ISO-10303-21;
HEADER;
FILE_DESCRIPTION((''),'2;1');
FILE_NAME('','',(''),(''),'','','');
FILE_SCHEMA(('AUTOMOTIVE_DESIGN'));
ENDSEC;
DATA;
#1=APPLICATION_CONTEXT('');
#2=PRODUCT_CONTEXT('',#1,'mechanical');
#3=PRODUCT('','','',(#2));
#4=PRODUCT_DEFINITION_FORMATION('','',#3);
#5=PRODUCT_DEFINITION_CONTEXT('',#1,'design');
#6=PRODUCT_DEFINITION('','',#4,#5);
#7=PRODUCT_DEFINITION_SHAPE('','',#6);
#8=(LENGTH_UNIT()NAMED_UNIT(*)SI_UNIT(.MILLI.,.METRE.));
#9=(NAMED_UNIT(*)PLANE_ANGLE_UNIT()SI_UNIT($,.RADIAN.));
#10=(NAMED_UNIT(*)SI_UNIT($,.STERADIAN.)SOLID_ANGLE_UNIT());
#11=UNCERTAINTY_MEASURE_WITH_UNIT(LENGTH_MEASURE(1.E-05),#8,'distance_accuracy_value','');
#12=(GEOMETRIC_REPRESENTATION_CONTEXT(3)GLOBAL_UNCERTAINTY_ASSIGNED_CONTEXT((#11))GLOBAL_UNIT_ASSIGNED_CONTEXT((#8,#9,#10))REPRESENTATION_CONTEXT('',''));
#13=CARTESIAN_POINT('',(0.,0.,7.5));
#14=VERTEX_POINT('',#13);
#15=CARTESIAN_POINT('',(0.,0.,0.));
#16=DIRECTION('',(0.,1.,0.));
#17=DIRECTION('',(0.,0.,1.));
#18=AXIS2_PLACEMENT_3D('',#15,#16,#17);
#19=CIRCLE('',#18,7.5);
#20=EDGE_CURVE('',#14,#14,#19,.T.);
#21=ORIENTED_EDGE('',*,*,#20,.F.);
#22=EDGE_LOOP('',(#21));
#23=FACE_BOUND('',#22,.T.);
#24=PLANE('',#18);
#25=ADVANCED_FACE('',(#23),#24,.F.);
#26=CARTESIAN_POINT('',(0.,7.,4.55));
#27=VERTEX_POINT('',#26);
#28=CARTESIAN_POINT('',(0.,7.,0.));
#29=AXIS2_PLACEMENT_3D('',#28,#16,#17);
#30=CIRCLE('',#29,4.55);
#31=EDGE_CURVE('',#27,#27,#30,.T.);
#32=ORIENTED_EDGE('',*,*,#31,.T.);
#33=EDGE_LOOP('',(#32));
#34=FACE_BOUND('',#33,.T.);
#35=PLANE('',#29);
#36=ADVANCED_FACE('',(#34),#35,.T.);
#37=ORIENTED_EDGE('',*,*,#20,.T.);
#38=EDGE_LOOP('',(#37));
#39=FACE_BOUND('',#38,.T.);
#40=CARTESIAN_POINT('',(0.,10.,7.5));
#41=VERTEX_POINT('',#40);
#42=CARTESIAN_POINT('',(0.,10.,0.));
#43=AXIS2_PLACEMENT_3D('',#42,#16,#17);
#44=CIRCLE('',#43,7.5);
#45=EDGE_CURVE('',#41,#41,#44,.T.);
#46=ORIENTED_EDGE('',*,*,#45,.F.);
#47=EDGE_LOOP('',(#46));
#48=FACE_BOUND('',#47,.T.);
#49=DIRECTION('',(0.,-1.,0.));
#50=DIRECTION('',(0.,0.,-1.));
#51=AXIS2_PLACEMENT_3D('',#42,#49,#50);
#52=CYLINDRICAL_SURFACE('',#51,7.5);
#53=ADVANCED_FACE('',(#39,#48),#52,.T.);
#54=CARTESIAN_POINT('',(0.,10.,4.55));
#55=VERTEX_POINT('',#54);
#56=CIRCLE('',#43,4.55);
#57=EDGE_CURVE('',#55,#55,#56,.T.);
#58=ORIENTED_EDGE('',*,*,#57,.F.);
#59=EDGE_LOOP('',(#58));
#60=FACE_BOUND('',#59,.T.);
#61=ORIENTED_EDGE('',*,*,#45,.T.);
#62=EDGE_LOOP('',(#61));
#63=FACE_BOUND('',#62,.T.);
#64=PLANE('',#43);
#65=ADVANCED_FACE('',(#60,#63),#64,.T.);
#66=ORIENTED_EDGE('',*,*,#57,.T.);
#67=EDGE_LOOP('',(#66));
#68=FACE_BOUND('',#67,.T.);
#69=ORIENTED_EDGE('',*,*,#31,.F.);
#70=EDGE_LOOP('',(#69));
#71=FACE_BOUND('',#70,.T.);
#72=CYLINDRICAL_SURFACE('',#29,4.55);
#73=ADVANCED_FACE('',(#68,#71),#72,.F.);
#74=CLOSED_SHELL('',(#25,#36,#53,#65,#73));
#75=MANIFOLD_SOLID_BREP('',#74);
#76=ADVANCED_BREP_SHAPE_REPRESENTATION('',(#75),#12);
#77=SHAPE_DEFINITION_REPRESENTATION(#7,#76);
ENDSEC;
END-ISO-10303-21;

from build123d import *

# Parameters (mm, degrees)
SKETCH1_R           = 7.5
BOSS_EXTRUDE2_DEPTH = 10
SKETCH3_R           = 4.55
CUT_EXTRUDE1_DEPTH  = 3


with BuildPart() as part:
    # Sketch1 → Boss-Extrude2 (new body)
    with BuildSketch(Plane(origin=(0, 0, 0), x_dir=(1, 0, 0), z_dir=(0, 1, 0))):
        with Locations(Location((0, 0, 0), (0, 0, 270))):
            Circle(SKETCH1_R)
    extrude(amount=BOSS_EXTRUDE2_DEPTH)

    # Sketch3 → Cut-Extrude1 (cut)
    with BuildSketch(Plane(origin=(0, 10, 0), x_dir=(1, 0, 0), z_dir=(0, 1, 0))):
        with Locations(Location((0, 0, 0), (0, 0, 270))):
            Circle(SKETCH3_R)
    extrude(amount=-CUT_EXTRUDE1_DEPTH, mode=Mode.SUBTRACT)


solid = part.part
